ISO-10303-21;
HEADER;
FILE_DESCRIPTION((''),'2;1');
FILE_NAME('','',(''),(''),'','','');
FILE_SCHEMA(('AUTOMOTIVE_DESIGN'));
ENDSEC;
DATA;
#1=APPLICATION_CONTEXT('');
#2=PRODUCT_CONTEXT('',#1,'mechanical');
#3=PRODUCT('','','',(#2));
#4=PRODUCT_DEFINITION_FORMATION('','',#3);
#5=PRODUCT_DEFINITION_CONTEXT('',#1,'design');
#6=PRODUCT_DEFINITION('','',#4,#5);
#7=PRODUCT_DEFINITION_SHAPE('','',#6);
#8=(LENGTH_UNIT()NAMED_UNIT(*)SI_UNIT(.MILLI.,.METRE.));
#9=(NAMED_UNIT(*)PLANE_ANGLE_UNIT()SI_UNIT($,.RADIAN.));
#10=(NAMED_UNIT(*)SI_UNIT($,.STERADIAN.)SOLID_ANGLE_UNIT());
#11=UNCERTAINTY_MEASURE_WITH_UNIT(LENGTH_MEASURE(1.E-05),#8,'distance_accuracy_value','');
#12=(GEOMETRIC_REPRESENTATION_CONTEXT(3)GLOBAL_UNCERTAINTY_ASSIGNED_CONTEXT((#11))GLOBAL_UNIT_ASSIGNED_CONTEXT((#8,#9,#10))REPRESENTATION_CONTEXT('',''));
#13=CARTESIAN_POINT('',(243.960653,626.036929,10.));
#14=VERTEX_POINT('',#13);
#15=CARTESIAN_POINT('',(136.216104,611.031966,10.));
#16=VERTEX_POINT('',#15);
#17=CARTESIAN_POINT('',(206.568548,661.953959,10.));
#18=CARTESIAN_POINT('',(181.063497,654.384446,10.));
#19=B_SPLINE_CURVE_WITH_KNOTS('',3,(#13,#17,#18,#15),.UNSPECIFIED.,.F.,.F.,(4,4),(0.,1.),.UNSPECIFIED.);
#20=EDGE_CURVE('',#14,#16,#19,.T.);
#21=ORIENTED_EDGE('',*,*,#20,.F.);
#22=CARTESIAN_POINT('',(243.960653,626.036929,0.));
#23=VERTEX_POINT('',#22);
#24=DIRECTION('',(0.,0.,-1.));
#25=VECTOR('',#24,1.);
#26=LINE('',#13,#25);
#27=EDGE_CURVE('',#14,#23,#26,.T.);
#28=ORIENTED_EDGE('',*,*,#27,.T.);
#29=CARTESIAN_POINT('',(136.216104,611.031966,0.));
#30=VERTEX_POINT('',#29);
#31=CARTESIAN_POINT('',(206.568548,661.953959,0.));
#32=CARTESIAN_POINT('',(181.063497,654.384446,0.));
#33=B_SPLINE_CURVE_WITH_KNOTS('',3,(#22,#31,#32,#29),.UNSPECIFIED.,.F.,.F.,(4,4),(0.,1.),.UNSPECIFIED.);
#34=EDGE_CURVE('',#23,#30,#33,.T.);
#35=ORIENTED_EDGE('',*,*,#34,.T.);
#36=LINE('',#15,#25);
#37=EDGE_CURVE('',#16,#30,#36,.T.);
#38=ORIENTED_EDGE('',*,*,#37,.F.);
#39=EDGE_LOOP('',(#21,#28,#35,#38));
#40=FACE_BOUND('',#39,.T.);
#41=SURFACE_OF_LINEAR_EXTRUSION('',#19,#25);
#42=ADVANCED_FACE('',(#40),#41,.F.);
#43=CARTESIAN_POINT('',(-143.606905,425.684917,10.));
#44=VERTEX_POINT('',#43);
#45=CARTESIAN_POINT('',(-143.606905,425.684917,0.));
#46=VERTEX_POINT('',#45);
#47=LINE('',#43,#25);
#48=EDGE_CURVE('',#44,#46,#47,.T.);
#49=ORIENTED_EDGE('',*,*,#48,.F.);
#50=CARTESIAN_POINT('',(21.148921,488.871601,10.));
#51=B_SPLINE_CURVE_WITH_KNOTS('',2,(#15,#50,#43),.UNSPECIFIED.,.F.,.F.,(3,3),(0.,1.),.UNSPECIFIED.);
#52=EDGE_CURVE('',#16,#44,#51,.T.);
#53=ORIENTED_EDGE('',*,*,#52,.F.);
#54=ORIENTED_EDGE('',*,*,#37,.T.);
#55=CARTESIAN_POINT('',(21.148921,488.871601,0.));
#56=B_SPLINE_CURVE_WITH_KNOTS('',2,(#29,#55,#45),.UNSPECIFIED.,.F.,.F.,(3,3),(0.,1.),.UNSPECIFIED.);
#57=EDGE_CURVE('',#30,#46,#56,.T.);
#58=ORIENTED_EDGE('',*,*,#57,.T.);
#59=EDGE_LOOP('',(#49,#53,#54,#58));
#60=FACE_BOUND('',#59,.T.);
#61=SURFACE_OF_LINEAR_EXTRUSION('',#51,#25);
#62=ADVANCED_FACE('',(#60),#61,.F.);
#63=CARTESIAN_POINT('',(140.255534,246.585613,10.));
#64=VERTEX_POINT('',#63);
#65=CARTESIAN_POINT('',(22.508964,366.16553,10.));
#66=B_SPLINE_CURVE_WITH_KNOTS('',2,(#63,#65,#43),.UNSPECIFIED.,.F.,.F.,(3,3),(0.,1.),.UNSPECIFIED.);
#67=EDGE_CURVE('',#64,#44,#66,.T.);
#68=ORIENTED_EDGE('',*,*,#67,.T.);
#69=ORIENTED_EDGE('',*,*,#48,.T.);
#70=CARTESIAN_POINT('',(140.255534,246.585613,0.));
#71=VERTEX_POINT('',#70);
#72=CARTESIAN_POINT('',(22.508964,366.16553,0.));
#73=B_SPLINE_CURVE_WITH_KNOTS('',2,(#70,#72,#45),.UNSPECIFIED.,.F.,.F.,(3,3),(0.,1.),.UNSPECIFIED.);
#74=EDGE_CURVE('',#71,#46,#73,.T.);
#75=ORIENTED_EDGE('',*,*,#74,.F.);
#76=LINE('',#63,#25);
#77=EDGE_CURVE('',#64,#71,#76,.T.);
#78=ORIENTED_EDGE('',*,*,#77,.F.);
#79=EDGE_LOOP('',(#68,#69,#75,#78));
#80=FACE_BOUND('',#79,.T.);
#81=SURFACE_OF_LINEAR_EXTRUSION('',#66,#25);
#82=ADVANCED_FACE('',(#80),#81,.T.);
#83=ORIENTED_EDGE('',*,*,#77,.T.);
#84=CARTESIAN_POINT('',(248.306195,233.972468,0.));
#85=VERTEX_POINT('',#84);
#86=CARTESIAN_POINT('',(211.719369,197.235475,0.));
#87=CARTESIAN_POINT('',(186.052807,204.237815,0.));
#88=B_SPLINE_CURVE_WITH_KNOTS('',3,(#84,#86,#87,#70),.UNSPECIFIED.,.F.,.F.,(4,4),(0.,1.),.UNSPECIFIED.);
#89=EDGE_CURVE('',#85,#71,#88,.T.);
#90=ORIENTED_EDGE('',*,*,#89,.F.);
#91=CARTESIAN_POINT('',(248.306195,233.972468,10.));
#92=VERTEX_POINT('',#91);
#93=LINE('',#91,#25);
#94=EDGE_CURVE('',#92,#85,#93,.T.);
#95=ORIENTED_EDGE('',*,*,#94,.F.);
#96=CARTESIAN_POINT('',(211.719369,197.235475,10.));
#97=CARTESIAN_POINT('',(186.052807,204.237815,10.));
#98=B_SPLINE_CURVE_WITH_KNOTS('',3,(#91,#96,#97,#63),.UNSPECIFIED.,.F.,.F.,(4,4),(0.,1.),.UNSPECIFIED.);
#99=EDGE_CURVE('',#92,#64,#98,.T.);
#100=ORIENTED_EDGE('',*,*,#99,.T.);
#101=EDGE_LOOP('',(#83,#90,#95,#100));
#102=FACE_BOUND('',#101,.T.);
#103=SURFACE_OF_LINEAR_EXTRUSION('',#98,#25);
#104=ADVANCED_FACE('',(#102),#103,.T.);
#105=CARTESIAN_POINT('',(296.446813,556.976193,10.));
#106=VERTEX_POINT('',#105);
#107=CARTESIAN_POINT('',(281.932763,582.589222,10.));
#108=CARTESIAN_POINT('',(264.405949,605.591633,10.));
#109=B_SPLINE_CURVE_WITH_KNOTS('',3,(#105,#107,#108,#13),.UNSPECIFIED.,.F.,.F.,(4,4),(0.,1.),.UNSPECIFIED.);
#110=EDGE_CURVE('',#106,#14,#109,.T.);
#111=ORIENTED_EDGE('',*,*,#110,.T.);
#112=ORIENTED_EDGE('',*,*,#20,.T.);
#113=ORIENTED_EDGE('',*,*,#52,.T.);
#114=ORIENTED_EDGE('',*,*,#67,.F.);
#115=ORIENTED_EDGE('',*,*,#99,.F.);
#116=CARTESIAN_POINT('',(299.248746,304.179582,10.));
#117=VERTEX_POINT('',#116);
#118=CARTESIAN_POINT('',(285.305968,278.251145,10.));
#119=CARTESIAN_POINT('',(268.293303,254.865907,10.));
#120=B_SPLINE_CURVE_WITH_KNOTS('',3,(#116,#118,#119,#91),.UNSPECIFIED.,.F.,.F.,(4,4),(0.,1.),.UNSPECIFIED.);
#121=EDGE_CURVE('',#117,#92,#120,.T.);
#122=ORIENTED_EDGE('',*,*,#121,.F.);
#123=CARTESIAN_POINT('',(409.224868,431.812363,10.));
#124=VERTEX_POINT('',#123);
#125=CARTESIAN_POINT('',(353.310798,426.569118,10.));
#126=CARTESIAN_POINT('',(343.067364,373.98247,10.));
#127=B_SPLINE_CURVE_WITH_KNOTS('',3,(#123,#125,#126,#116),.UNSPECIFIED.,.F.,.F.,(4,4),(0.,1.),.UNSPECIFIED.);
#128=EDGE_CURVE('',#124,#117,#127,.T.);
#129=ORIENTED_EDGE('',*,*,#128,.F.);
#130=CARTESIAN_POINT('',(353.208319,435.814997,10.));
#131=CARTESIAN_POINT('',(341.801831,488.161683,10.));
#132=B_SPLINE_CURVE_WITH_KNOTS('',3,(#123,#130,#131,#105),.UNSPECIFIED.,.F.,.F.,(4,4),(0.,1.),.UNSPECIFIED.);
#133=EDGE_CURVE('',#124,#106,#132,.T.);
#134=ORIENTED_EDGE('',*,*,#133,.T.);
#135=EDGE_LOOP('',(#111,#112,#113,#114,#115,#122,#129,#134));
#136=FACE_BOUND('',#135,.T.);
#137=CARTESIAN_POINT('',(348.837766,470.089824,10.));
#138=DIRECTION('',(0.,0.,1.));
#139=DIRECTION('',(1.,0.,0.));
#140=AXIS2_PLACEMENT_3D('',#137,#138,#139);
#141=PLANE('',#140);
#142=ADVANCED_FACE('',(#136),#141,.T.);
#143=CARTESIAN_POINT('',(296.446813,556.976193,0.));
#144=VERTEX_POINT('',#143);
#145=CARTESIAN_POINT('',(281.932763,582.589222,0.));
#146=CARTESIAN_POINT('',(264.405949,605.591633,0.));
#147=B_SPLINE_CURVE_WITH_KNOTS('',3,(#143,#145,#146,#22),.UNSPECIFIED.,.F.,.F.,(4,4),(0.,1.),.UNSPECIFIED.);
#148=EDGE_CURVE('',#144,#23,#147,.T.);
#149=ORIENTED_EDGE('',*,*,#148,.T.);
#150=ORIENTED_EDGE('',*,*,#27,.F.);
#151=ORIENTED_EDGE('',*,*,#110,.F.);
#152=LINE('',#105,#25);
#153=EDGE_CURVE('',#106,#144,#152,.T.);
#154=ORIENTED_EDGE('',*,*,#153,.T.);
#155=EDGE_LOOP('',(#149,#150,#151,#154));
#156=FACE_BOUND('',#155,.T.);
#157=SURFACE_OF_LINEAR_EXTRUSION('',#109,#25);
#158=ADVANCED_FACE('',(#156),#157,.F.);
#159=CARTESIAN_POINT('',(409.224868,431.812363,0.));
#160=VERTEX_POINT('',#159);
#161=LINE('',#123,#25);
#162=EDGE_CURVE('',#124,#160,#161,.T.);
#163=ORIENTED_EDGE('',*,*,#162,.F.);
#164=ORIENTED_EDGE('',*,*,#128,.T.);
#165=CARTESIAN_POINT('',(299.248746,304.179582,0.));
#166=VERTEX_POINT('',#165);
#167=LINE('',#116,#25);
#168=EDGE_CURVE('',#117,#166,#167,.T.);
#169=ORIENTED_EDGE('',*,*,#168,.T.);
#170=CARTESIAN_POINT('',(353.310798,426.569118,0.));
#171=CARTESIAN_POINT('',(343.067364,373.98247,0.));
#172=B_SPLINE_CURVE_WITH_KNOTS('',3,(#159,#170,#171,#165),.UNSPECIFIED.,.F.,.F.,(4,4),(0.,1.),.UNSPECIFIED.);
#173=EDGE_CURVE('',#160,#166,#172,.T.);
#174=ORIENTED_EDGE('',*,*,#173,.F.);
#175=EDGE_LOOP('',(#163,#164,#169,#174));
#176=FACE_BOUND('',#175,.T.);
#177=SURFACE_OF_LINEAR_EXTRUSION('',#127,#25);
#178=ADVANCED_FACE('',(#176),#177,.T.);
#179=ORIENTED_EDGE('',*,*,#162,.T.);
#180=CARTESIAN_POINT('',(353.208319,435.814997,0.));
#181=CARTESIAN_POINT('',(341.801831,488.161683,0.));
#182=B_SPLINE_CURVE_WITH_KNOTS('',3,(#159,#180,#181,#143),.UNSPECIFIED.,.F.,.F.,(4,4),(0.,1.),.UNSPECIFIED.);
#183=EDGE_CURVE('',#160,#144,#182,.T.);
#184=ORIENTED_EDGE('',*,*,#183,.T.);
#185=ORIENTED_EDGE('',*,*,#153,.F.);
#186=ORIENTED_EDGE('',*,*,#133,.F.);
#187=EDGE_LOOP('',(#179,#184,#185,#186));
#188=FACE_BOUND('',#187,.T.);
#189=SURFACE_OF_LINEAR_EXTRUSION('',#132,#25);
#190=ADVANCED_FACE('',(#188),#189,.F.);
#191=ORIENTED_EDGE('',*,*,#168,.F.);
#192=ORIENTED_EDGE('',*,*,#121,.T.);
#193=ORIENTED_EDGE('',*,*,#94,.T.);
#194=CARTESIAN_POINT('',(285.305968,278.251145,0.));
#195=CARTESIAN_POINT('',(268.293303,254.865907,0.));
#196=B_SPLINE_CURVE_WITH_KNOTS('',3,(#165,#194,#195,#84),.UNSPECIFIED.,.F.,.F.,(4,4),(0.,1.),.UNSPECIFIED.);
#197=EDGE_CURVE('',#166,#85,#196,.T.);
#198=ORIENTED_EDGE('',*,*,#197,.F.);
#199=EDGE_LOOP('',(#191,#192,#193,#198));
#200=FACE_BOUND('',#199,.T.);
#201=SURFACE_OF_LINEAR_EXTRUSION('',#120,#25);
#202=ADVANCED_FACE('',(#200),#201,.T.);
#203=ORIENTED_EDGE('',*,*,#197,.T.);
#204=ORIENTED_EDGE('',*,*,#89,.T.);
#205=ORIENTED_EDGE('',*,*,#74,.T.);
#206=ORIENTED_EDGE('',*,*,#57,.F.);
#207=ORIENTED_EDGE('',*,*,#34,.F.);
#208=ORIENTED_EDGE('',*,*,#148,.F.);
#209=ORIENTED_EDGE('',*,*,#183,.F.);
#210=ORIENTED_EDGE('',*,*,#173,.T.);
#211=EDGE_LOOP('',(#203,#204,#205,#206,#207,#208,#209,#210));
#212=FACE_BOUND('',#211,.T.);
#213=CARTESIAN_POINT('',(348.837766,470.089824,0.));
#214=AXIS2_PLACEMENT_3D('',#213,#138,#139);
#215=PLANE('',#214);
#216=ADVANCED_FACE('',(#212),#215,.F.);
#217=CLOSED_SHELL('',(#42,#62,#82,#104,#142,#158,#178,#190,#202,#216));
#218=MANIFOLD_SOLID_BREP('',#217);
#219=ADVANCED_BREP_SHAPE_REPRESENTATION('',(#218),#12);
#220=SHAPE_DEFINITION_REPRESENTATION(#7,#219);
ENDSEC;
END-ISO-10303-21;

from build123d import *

# Parameters (mm, degrees)
BOSS_EXTRUDE1_DEPTH = 10


with BuildPart() as part:
    # Sketch1 → Boss-Extrude1 (new body)
    with BuildSketch(Plane.XY):
        with BuildLine():
            add(Edge.make_bspline(
                [(409.224868449, 431.812362674), (353.208318775, 435.814996738), (341.801830867, 488.161683055), (296.446812903, 556.976193069)],
                knots=[0, 0, 0, 0, 1, 1, 1, 1], degree=3))
            add(Edge.make_bspline(
                [(296.446812903, 556.976193069), (281.932763026, 582.589222263), (264.405949262, 605.591633402), (243.960653378, 626.036929287)],
                knots=[0, 0, 0, 0, 1, 1, 1, 1], degree=3))
            add(Edge.make_bspline(
                [(243.960653378, 626.036929287), (206.568548088, 661.953958927), (181.063496859, 654.384446294), (136.216103642, 611.031966185)],
                knots=[0, 0, 0, 0, 1, 1, 1, 1], degree=3))
            add(Edge.make_bspline(
                [(136.216103642, 611.031966185), (21.148921326, 488.871601397), (-143.606904725, 425.684916913)],
                knots=[0, 0, 0, 1, 1, 1], degree=2))
            add(Edge.make_bspline(
                [(140.255533668, 246.58561274), (22.508963994, 366.165529538), (-143.606904725, 425.684916913)],
                knots=[0, 0, 0, 1, 1, 1], degree=2))
            add(Edge.make_bspline(
                [(248.306195431, 233.972468485), (211.719368719, 197.235475313), (186.052806813, 204.237814893), (140.255533668, 246.58561274)],
                knots=[0, 0, 0, 0, 1, 1, 1, 1], degree=3))
            add(Edge.make_bspline(
                [(299.248745784, 304.179582029), (285.30596832, 278.25114465), (268.293303375, 254.865906777), (248.306195431, 233.972468485)],
                knots=[0, 0, 0, 0, 1, 1, 1, 1], degree=3))
            add(Edge.make_bspline(
                [(409.224868449, 431.812362674), (353.310797723, 426.569118286), (343.067364019, 373.982469784), (299.248745784, 304.179582029)],
                knots=[0, 0, 0, 0, 1, 1, 1, 1], degree=3))
        make_face()
    extrude(amount=BOSS_EXTRUDE1_DEPTH)


solid = part.part
